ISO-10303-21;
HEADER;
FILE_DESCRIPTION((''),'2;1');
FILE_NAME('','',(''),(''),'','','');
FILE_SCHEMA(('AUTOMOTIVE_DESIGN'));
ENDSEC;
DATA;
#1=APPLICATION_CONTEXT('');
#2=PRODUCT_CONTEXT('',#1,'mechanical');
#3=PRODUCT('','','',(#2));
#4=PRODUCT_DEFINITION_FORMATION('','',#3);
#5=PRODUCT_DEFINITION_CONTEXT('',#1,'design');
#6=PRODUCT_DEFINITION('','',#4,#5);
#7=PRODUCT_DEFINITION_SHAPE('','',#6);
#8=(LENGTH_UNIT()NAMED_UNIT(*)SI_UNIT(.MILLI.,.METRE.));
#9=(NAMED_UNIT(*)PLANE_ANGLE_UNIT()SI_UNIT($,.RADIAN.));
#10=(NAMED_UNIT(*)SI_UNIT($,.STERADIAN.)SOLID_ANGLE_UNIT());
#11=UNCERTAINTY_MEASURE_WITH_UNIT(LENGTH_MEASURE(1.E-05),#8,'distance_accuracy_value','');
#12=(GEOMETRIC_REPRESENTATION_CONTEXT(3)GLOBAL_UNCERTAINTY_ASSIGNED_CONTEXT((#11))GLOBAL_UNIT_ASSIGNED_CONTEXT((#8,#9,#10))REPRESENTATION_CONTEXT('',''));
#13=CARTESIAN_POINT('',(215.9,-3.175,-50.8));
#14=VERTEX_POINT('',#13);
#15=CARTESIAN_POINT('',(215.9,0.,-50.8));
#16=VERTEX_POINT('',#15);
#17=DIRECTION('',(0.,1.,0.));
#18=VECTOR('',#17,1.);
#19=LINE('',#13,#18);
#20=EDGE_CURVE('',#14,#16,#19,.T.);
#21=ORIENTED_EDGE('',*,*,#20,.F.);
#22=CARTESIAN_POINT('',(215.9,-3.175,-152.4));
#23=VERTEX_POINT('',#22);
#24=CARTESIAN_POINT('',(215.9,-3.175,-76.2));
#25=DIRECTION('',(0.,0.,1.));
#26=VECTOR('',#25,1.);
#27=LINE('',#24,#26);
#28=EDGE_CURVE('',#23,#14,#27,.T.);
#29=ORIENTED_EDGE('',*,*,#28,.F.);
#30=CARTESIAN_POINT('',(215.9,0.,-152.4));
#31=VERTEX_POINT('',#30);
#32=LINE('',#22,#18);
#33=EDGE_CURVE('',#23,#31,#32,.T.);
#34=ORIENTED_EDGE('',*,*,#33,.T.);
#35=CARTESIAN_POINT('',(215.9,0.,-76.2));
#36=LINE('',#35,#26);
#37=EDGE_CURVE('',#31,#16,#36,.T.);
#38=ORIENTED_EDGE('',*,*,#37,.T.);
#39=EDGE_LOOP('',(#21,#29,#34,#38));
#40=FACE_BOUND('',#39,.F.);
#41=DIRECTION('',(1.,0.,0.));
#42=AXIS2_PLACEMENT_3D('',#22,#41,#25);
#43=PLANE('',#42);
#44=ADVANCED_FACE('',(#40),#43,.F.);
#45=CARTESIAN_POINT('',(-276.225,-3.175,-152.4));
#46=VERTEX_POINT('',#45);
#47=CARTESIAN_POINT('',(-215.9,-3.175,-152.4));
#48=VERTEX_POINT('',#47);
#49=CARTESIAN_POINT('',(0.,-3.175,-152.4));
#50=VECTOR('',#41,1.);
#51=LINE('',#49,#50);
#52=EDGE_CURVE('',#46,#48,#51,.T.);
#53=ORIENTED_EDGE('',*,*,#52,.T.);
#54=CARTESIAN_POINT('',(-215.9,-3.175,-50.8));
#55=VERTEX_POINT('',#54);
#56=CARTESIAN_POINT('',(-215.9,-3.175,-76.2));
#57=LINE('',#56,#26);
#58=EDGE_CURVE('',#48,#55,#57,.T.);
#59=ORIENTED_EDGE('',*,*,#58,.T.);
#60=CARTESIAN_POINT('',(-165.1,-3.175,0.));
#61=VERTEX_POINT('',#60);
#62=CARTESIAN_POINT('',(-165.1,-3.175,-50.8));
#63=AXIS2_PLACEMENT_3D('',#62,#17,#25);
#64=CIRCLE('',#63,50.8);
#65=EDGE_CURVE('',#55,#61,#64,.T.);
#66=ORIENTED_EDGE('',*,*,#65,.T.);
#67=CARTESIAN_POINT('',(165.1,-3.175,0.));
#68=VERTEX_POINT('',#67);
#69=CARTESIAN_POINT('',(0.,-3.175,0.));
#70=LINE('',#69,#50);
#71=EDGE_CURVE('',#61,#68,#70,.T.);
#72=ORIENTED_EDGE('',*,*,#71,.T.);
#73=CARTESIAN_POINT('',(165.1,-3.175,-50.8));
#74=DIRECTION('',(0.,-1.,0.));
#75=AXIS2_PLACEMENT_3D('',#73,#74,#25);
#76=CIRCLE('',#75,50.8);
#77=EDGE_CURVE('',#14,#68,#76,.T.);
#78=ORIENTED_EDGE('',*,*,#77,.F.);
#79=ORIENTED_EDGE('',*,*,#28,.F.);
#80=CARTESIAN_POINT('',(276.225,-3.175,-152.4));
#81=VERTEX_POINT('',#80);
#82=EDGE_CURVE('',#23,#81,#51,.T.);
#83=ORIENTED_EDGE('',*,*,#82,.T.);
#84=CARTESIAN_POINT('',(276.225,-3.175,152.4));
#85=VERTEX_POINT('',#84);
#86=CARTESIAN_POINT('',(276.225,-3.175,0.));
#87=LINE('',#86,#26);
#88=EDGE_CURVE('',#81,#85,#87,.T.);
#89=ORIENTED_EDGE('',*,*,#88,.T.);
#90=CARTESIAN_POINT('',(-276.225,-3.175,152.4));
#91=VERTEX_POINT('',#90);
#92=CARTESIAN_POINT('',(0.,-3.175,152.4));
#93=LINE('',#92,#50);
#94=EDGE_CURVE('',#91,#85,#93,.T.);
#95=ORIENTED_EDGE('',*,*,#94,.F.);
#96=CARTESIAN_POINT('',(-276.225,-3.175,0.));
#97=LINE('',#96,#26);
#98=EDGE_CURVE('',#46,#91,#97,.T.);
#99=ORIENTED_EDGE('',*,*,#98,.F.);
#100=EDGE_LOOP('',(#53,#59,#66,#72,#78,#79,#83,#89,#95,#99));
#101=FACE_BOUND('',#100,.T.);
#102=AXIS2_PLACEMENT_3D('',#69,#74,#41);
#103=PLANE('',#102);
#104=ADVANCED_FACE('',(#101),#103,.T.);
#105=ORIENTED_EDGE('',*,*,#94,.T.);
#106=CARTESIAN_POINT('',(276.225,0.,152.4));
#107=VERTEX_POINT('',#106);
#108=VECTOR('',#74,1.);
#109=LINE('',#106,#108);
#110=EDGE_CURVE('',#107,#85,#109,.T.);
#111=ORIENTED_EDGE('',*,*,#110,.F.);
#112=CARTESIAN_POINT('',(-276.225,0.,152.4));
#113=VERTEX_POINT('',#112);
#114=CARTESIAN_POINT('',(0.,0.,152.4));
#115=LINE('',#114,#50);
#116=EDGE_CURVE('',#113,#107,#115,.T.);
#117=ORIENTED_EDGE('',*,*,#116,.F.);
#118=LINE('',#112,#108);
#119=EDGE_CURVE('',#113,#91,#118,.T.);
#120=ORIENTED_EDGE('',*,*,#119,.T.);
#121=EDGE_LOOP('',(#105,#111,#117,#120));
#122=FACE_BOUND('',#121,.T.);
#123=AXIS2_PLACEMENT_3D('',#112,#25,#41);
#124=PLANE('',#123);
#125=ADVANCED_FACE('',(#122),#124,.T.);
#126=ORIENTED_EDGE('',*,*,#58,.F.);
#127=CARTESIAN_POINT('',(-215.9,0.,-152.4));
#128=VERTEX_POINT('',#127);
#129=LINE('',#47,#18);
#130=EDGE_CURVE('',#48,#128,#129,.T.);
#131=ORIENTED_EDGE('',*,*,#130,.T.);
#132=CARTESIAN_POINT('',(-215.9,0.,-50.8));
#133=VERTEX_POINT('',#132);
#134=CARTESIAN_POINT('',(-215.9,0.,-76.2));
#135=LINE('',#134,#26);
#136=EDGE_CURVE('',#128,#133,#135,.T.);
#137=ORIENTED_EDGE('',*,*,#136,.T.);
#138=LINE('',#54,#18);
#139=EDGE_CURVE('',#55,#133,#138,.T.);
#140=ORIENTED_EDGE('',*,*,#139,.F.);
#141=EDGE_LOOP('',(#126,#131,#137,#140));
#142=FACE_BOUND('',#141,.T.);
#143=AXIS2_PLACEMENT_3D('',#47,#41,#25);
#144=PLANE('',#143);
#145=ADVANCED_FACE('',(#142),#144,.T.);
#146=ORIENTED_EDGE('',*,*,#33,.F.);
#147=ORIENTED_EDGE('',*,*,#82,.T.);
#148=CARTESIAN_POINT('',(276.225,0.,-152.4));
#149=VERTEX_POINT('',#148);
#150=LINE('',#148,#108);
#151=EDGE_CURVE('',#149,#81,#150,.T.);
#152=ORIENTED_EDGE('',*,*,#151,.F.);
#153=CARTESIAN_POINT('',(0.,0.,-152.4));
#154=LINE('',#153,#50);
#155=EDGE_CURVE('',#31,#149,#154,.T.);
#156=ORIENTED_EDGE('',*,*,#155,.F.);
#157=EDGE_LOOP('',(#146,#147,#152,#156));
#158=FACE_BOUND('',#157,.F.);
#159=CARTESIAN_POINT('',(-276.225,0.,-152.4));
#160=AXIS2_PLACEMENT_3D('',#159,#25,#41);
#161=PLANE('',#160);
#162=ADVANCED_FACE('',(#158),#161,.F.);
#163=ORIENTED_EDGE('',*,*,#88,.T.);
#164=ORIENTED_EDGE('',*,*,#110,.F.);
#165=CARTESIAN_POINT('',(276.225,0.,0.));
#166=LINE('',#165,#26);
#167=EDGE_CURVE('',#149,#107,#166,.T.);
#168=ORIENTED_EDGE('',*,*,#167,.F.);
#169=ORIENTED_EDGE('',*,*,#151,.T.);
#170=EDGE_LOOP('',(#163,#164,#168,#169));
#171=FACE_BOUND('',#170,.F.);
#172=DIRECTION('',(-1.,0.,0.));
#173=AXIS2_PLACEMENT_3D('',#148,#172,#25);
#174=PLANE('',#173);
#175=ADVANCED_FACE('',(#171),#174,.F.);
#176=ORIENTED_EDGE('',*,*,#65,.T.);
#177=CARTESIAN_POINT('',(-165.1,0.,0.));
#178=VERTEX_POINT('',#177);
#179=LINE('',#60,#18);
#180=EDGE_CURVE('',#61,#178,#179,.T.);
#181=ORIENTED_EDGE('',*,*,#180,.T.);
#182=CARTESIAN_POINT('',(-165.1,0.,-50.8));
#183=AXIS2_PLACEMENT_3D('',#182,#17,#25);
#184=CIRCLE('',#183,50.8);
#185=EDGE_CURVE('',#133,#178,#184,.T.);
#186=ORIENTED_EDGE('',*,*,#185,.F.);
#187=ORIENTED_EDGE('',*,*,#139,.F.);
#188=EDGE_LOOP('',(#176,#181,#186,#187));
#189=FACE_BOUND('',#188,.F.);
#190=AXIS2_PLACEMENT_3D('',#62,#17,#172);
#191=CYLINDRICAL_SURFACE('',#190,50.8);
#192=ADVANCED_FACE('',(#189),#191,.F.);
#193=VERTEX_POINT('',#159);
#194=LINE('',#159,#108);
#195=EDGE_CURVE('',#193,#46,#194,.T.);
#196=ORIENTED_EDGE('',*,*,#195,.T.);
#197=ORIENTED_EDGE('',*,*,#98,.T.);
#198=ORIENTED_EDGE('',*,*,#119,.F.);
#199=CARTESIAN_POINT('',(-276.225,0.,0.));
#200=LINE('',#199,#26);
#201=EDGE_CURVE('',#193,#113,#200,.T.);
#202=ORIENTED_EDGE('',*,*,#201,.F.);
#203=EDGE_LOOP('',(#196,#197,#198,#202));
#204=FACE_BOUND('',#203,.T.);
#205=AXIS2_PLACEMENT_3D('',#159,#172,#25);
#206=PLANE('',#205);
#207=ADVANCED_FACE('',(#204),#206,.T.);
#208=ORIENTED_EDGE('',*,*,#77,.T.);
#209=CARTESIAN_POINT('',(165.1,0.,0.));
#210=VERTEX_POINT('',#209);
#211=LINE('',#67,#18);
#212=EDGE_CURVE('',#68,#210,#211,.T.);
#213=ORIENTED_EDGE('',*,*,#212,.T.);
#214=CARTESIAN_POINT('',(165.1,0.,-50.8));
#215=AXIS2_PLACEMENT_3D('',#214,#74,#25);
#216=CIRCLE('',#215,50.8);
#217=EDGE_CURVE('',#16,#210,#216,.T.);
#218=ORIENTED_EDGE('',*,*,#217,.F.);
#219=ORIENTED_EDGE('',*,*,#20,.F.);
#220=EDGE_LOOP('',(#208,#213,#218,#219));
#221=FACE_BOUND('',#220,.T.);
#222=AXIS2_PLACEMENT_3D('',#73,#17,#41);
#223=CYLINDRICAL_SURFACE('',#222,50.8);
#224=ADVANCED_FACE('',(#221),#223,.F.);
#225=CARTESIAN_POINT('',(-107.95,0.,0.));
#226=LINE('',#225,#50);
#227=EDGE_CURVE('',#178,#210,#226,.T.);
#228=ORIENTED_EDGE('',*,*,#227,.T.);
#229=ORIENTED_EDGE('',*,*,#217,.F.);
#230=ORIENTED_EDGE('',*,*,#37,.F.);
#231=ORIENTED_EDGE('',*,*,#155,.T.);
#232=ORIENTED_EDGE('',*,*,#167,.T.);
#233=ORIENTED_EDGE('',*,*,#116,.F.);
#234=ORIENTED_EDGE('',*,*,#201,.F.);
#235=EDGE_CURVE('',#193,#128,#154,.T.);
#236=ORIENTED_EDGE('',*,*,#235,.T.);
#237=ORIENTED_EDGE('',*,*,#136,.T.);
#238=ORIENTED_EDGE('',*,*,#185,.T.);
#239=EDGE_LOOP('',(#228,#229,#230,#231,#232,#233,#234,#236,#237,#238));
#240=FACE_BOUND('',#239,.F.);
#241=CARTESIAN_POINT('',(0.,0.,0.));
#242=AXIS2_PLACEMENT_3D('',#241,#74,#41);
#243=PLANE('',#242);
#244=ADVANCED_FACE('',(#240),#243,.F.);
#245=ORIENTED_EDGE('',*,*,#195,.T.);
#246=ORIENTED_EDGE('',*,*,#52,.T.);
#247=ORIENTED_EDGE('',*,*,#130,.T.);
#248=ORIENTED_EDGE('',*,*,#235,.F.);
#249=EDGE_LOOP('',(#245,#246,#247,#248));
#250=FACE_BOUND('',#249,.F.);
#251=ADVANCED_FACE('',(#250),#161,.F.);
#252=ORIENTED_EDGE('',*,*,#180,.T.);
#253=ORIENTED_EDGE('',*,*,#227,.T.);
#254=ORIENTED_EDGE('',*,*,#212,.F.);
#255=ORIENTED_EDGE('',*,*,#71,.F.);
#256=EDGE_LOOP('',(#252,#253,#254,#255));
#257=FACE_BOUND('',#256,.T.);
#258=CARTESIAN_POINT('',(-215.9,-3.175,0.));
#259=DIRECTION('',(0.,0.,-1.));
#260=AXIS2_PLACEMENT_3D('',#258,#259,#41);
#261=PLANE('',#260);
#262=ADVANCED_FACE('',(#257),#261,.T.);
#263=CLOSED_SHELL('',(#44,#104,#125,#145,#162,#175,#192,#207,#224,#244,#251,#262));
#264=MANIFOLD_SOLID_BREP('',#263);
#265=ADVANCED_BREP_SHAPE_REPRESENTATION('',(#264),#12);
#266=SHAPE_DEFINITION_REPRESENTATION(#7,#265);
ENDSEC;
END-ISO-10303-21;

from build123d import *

# Parameters (mm, degrees)
F0_W     = 552.45
F0_H     = 304.8
F1_DEPTH = 3.175
F2_W     = 431.8
F2_H     = 152.4
F3_DEPTH = 3.176
F4_R     = 50.8


with BuildPart() as f1:
    # F0 (on Front) → F1 (new body)
    with BuildSketch(Plane.XZ):
        Rectangle(F0_W, F0_H)
    extrude(amount=F1_DEPTH)

    # F2 (on face) → F3 (cut, through all)
    with BuildSketch(Plane.XZ.offset(3.175)):
        with Locations((0, -76.2)):
            Rectangle(F2_W, F2_H)
    extrude(amount=-F3_DEPTH, mode=Mode.SUBTRACT)

    # F4
    f4_edges = [f1.edges().sort_by_distance(p)[0] for p in [
        (-215.9, -1.5875, 0),
        (215.9, -1.5875, 0),
    ]]
    fillet(f4_edges, radius=F4_R)


solid = f1.part
